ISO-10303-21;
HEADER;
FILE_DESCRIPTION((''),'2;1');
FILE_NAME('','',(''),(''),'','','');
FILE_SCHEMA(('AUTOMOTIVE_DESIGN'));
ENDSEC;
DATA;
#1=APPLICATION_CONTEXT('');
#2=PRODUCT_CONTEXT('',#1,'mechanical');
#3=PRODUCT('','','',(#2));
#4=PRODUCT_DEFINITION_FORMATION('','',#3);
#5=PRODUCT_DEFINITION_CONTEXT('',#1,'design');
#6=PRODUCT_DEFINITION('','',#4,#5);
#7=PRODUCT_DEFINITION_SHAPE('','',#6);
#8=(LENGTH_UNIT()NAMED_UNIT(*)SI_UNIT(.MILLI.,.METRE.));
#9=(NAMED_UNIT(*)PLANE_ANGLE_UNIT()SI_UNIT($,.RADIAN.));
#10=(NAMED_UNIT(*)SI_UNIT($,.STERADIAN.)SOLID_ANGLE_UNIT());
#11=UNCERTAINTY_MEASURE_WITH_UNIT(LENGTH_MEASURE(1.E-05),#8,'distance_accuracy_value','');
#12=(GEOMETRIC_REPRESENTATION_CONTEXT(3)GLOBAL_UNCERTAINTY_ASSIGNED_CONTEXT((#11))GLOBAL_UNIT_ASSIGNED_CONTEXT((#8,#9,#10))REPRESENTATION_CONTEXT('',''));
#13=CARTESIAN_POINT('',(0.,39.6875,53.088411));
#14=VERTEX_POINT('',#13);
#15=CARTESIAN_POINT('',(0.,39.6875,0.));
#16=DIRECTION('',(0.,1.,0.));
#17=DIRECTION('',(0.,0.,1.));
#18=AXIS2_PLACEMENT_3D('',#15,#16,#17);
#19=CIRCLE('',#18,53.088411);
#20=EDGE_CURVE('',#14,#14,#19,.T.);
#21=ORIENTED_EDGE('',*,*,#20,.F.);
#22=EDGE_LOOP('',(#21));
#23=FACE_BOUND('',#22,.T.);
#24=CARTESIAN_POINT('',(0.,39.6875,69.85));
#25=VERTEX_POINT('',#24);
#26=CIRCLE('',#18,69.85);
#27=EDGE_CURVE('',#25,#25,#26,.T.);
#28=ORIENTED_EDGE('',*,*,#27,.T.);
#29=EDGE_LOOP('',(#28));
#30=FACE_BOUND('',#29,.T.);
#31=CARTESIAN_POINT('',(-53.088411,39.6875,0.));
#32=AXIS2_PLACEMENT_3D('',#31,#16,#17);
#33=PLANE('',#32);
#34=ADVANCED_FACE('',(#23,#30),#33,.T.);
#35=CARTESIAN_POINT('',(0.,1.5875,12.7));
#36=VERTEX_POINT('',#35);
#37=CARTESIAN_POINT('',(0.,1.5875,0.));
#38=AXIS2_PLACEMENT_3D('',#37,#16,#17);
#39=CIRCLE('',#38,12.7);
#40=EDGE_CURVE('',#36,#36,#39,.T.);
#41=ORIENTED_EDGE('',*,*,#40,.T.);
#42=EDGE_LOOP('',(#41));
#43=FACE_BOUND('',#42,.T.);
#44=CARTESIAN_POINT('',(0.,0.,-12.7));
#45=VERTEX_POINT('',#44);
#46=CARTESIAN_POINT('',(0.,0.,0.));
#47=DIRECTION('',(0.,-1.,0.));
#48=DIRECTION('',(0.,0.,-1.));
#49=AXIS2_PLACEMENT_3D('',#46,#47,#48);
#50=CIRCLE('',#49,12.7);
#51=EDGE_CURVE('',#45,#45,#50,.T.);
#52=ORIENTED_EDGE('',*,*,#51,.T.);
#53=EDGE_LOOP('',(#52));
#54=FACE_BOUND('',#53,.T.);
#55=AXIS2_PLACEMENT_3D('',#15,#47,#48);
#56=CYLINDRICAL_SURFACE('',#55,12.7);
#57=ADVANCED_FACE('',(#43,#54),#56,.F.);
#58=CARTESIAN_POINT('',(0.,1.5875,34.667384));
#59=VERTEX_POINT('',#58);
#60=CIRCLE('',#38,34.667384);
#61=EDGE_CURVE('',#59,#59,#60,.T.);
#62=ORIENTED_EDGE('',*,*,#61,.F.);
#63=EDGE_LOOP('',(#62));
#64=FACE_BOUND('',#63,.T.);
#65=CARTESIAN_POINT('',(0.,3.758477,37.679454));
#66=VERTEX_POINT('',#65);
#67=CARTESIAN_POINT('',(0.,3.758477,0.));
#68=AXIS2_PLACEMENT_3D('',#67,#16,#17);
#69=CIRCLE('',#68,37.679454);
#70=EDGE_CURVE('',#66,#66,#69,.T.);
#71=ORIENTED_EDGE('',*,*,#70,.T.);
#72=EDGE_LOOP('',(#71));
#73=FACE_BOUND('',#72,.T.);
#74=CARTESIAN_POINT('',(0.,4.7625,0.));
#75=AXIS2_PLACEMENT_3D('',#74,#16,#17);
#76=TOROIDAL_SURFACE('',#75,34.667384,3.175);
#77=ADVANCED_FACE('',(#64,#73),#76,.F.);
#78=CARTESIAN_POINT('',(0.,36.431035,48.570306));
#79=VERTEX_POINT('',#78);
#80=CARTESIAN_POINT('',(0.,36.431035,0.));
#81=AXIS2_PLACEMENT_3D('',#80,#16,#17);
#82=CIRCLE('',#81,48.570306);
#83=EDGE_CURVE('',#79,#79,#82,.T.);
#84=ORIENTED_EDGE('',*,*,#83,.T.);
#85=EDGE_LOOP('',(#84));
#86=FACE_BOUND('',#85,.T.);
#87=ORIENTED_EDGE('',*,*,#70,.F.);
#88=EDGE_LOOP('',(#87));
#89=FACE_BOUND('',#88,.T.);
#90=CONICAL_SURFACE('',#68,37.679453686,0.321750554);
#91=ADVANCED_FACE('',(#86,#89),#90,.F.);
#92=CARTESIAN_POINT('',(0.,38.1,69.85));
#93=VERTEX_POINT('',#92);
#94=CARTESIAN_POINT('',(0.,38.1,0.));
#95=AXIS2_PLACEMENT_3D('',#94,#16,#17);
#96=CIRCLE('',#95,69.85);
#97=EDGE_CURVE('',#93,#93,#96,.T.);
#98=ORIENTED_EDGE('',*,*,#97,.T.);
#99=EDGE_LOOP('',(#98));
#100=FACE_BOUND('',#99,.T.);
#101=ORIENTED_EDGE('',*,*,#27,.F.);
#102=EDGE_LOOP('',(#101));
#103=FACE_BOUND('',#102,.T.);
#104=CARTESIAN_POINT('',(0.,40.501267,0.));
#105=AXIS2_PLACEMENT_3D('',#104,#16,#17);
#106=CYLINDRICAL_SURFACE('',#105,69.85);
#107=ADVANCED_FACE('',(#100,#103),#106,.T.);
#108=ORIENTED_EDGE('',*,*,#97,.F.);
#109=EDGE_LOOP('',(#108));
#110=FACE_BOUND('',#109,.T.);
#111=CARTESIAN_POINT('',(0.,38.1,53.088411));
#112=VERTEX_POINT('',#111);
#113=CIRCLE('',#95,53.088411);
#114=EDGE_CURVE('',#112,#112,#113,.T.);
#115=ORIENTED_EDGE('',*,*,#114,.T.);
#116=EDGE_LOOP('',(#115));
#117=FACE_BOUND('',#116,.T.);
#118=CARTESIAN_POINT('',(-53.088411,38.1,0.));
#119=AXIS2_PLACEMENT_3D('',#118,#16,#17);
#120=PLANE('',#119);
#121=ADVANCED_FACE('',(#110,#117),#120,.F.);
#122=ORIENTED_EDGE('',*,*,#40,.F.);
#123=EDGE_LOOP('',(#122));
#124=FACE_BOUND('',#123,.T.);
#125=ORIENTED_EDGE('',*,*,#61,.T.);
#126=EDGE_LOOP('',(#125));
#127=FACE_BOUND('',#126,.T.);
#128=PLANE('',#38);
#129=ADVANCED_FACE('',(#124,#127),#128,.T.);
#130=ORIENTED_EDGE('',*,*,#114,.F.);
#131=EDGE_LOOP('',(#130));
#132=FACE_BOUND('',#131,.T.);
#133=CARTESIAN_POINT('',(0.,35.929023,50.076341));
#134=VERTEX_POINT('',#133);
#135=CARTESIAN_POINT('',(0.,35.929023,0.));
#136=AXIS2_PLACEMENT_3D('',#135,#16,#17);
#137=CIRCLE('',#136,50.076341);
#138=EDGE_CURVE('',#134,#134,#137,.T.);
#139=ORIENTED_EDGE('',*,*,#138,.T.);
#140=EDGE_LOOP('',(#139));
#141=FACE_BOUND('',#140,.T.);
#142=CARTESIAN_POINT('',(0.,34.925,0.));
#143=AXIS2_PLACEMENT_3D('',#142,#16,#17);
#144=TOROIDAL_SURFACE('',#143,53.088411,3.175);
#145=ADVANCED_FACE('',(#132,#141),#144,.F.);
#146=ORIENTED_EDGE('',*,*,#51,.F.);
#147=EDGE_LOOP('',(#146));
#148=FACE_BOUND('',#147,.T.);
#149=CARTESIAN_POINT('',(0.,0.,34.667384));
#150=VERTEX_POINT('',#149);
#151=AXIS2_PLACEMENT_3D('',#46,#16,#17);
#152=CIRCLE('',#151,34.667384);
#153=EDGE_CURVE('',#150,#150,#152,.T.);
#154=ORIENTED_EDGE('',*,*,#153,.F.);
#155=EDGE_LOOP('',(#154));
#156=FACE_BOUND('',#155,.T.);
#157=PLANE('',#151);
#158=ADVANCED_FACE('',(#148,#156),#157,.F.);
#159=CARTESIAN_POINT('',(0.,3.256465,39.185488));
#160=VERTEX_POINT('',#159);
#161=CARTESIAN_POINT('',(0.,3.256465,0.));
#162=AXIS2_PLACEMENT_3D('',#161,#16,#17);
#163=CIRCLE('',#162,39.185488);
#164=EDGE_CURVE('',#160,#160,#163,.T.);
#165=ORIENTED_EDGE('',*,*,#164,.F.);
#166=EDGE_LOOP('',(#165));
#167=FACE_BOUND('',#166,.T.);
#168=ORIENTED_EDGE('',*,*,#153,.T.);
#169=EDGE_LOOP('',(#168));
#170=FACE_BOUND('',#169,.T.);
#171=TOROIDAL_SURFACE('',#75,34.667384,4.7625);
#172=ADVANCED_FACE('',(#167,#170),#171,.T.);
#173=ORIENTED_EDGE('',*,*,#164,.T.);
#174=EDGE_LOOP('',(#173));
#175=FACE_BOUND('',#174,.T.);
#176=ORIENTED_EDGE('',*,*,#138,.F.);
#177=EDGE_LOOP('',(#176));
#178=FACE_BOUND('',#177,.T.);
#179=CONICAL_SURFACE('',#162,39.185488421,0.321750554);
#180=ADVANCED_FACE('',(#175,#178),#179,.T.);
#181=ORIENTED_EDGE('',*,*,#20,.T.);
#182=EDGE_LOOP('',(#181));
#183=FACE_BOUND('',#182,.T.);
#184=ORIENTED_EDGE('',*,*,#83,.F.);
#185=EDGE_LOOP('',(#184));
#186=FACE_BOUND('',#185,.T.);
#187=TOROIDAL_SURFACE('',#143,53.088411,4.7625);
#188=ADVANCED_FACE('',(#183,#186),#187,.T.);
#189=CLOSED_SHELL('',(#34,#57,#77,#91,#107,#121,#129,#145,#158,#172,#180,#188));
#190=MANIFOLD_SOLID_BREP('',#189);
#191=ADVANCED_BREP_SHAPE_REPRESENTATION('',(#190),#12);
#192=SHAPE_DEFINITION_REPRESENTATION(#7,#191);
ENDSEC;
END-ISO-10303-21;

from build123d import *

# Parameters (mm, degrees)
SKETCH2_R          = 12.7
CUT_EXTRUDE1_DEPTH = 40.6875


with BuildPart() as part:
    # Sketch1 → Revolve-Thin1 (revolve)
    with BuildSketch(Plane.XY):
        with BuildLine():
            Line((0, 0), (-34.667384214, 0))
            ThreePointArc((-34.667384214, 0), (-37.452066945, 0.898959093), (-39.185488421, 3.256465264))
            Line((-39.185488421, 3.256465264), (-50.076341052, 35.929023157))
            ThreePointArc((-50.076341052, 35.929023157), (-51.23195537, 37.500693938), (-53.088410524, 38.1))
            Line((-53.088410524, 38.1), (-69.85, 38.1))
            Line((-69.85, 38.1), (-69.85, 39.6875))
            Line((-69.85, 39.6875), (-53.088410524, 39.6875))
            ThreePointArc((-53.088410524, 39.6875), (-50.303727793, 38.788540907), (-48.570306317, 36.431034736))
            Line((-48.570306317, 36.431034736), (-37.679453686, 3.758476843))
            ThreePointArc((-37.679453686, 3.758476843), (-36.523839368, 2.186806062), (-34.667384214, 1.5875))
            Line((-34.667384214, 1.5875), (0, 1.5875))
            Line((0, 1.5875), (0, 0))
        make_face()
    revolve(axis=Axis((0, 40.501267427, 0), (0, -1, 0)))

    # Sketch2 → Cut-Extrude1 (cut, through all)
    with BuildSketch(Plane.XZ):
        Circle(SKETCH2_R)
    extrude(amount=-CUT_EXTRUDE1_DEPTH, mode=Mode.SUBTRACT)


solid = part.part
